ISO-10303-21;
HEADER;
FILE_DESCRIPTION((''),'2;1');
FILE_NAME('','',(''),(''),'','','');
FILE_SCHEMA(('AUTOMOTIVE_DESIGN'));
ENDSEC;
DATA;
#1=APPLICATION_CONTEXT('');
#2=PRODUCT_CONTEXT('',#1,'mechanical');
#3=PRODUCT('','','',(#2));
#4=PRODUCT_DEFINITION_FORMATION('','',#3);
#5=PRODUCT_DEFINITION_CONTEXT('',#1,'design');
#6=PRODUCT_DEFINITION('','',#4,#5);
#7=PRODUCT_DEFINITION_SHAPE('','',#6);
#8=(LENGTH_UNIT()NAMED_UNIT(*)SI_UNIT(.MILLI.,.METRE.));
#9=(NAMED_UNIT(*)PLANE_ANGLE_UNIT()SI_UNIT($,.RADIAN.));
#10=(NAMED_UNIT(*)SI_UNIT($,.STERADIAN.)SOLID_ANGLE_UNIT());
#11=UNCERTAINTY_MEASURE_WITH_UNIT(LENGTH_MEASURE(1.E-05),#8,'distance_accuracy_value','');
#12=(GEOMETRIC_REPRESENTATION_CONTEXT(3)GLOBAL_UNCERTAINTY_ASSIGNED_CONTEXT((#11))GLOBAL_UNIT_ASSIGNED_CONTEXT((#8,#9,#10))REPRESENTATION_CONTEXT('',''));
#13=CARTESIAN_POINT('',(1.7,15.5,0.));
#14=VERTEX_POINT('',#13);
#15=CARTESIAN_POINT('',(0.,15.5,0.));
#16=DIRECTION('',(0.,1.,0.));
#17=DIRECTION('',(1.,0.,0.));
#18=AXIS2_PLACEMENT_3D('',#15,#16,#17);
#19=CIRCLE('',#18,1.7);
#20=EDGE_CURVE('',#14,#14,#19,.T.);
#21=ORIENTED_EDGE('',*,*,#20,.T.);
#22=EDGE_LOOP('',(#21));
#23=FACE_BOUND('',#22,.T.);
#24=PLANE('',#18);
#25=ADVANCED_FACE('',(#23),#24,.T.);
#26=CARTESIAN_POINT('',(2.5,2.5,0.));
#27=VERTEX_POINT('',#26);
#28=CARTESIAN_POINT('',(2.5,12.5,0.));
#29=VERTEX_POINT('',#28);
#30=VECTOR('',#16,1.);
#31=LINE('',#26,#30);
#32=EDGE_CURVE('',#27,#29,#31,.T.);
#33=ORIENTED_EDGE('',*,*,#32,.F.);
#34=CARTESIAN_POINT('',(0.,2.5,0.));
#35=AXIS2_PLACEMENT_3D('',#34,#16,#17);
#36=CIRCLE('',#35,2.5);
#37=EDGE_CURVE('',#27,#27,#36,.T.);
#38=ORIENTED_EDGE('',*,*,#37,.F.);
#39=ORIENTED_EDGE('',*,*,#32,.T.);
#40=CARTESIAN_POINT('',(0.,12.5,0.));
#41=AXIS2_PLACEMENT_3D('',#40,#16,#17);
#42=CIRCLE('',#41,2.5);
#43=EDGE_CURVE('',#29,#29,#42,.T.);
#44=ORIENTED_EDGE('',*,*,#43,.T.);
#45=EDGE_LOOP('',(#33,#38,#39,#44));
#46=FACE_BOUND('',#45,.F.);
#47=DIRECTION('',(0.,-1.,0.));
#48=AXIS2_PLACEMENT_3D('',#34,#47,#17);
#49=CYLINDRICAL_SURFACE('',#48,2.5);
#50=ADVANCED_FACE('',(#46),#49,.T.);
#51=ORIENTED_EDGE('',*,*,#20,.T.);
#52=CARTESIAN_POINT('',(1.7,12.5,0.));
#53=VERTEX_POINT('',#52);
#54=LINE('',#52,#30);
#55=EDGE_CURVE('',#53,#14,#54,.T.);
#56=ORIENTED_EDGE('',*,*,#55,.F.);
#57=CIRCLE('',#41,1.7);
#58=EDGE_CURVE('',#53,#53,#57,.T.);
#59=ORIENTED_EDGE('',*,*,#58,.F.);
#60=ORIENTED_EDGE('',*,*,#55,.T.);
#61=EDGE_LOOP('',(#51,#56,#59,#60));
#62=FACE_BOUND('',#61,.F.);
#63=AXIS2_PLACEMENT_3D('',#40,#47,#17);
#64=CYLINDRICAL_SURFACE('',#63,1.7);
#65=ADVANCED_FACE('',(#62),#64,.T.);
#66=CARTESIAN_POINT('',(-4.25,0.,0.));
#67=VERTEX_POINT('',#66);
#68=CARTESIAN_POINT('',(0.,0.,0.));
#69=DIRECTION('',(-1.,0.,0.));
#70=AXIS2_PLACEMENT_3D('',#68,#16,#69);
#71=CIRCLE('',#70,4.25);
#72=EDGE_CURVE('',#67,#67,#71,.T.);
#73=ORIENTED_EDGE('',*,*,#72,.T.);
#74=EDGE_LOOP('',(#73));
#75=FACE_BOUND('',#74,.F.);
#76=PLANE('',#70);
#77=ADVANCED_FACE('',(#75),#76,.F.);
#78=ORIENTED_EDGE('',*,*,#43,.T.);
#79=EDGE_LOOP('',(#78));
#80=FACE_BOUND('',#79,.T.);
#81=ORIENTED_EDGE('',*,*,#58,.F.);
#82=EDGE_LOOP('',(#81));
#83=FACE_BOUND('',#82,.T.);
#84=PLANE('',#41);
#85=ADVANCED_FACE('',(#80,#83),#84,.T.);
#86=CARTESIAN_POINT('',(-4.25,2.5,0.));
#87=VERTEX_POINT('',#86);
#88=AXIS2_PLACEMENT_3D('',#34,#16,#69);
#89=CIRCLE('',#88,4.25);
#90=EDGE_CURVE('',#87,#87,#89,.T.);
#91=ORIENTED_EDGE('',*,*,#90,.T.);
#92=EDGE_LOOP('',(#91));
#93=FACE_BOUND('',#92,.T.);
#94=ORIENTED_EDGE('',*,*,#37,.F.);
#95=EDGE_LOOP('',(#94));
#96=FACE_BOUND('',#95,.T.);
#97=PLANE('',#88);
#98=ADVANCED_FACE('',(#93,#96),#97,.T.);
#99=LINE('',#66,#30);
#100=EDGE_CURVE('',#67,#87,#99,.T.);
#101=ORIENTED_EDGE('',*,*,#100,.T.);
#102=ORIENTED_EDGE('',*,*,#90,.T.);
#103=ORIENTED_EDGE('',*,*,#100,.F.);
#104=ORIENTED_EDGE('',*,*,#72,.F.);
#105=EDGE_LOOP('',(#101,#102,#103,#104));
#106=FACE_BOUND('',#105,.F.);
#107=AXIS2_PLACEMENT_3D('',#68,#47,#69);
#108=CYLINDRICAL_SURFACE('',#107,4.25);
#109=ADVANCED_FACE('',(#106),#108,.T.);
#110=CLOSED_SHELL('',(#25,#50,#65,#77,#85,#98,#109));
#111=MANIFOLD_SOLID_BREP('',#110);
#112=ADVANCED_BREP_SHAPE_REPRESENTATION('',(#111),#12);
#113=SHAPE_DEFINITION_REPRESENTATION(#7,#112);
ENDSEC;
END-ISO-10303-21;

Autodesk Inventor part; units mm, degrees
ref_plane "YZ Plane" through (0, 0, 0) normal (1, 0, 0) x (0, 1, 0)
ref_plane "XZ Plane" through (0, 0, 0) normal (0, 1, 0) x (-1, 0, 0)
ref_plane "XY Plane" through (0, 0, 0) normal (0, 0, 1) x (1, 0, 0)
sketch "Sketch1" plane through (0, 0, 0) normal (0, 1, 0) x (-1, 0, 0)
  circle A0 centre (0, 0) radius 4.25
  dimension "d0" = 8.5
extrude "Extrusion1" add sketch "Sketch1" along normal blind 2.5
sketch "Sketch2" plane through (0, 2.5, 0) normal (0, 1, 0) x (1, 0, 0)
  circle A0 centre (0, 0) radius 2.5
  dimension "d3" = 5
extrude "Extrusion2" add sketch "Sketch2" along normal blind 10
sketch "Sketch3" plane through (0, 12.5, 0) normal (0, 1, 0) x (1, 0, 0)
  circle A0 centre (0, 0) radius 1.7
  dimension "d6" = 3.4
extrude "Extrusion3" add sketch "Sketch3" along normal blind 3
properties part number "Gear_Attachment"
